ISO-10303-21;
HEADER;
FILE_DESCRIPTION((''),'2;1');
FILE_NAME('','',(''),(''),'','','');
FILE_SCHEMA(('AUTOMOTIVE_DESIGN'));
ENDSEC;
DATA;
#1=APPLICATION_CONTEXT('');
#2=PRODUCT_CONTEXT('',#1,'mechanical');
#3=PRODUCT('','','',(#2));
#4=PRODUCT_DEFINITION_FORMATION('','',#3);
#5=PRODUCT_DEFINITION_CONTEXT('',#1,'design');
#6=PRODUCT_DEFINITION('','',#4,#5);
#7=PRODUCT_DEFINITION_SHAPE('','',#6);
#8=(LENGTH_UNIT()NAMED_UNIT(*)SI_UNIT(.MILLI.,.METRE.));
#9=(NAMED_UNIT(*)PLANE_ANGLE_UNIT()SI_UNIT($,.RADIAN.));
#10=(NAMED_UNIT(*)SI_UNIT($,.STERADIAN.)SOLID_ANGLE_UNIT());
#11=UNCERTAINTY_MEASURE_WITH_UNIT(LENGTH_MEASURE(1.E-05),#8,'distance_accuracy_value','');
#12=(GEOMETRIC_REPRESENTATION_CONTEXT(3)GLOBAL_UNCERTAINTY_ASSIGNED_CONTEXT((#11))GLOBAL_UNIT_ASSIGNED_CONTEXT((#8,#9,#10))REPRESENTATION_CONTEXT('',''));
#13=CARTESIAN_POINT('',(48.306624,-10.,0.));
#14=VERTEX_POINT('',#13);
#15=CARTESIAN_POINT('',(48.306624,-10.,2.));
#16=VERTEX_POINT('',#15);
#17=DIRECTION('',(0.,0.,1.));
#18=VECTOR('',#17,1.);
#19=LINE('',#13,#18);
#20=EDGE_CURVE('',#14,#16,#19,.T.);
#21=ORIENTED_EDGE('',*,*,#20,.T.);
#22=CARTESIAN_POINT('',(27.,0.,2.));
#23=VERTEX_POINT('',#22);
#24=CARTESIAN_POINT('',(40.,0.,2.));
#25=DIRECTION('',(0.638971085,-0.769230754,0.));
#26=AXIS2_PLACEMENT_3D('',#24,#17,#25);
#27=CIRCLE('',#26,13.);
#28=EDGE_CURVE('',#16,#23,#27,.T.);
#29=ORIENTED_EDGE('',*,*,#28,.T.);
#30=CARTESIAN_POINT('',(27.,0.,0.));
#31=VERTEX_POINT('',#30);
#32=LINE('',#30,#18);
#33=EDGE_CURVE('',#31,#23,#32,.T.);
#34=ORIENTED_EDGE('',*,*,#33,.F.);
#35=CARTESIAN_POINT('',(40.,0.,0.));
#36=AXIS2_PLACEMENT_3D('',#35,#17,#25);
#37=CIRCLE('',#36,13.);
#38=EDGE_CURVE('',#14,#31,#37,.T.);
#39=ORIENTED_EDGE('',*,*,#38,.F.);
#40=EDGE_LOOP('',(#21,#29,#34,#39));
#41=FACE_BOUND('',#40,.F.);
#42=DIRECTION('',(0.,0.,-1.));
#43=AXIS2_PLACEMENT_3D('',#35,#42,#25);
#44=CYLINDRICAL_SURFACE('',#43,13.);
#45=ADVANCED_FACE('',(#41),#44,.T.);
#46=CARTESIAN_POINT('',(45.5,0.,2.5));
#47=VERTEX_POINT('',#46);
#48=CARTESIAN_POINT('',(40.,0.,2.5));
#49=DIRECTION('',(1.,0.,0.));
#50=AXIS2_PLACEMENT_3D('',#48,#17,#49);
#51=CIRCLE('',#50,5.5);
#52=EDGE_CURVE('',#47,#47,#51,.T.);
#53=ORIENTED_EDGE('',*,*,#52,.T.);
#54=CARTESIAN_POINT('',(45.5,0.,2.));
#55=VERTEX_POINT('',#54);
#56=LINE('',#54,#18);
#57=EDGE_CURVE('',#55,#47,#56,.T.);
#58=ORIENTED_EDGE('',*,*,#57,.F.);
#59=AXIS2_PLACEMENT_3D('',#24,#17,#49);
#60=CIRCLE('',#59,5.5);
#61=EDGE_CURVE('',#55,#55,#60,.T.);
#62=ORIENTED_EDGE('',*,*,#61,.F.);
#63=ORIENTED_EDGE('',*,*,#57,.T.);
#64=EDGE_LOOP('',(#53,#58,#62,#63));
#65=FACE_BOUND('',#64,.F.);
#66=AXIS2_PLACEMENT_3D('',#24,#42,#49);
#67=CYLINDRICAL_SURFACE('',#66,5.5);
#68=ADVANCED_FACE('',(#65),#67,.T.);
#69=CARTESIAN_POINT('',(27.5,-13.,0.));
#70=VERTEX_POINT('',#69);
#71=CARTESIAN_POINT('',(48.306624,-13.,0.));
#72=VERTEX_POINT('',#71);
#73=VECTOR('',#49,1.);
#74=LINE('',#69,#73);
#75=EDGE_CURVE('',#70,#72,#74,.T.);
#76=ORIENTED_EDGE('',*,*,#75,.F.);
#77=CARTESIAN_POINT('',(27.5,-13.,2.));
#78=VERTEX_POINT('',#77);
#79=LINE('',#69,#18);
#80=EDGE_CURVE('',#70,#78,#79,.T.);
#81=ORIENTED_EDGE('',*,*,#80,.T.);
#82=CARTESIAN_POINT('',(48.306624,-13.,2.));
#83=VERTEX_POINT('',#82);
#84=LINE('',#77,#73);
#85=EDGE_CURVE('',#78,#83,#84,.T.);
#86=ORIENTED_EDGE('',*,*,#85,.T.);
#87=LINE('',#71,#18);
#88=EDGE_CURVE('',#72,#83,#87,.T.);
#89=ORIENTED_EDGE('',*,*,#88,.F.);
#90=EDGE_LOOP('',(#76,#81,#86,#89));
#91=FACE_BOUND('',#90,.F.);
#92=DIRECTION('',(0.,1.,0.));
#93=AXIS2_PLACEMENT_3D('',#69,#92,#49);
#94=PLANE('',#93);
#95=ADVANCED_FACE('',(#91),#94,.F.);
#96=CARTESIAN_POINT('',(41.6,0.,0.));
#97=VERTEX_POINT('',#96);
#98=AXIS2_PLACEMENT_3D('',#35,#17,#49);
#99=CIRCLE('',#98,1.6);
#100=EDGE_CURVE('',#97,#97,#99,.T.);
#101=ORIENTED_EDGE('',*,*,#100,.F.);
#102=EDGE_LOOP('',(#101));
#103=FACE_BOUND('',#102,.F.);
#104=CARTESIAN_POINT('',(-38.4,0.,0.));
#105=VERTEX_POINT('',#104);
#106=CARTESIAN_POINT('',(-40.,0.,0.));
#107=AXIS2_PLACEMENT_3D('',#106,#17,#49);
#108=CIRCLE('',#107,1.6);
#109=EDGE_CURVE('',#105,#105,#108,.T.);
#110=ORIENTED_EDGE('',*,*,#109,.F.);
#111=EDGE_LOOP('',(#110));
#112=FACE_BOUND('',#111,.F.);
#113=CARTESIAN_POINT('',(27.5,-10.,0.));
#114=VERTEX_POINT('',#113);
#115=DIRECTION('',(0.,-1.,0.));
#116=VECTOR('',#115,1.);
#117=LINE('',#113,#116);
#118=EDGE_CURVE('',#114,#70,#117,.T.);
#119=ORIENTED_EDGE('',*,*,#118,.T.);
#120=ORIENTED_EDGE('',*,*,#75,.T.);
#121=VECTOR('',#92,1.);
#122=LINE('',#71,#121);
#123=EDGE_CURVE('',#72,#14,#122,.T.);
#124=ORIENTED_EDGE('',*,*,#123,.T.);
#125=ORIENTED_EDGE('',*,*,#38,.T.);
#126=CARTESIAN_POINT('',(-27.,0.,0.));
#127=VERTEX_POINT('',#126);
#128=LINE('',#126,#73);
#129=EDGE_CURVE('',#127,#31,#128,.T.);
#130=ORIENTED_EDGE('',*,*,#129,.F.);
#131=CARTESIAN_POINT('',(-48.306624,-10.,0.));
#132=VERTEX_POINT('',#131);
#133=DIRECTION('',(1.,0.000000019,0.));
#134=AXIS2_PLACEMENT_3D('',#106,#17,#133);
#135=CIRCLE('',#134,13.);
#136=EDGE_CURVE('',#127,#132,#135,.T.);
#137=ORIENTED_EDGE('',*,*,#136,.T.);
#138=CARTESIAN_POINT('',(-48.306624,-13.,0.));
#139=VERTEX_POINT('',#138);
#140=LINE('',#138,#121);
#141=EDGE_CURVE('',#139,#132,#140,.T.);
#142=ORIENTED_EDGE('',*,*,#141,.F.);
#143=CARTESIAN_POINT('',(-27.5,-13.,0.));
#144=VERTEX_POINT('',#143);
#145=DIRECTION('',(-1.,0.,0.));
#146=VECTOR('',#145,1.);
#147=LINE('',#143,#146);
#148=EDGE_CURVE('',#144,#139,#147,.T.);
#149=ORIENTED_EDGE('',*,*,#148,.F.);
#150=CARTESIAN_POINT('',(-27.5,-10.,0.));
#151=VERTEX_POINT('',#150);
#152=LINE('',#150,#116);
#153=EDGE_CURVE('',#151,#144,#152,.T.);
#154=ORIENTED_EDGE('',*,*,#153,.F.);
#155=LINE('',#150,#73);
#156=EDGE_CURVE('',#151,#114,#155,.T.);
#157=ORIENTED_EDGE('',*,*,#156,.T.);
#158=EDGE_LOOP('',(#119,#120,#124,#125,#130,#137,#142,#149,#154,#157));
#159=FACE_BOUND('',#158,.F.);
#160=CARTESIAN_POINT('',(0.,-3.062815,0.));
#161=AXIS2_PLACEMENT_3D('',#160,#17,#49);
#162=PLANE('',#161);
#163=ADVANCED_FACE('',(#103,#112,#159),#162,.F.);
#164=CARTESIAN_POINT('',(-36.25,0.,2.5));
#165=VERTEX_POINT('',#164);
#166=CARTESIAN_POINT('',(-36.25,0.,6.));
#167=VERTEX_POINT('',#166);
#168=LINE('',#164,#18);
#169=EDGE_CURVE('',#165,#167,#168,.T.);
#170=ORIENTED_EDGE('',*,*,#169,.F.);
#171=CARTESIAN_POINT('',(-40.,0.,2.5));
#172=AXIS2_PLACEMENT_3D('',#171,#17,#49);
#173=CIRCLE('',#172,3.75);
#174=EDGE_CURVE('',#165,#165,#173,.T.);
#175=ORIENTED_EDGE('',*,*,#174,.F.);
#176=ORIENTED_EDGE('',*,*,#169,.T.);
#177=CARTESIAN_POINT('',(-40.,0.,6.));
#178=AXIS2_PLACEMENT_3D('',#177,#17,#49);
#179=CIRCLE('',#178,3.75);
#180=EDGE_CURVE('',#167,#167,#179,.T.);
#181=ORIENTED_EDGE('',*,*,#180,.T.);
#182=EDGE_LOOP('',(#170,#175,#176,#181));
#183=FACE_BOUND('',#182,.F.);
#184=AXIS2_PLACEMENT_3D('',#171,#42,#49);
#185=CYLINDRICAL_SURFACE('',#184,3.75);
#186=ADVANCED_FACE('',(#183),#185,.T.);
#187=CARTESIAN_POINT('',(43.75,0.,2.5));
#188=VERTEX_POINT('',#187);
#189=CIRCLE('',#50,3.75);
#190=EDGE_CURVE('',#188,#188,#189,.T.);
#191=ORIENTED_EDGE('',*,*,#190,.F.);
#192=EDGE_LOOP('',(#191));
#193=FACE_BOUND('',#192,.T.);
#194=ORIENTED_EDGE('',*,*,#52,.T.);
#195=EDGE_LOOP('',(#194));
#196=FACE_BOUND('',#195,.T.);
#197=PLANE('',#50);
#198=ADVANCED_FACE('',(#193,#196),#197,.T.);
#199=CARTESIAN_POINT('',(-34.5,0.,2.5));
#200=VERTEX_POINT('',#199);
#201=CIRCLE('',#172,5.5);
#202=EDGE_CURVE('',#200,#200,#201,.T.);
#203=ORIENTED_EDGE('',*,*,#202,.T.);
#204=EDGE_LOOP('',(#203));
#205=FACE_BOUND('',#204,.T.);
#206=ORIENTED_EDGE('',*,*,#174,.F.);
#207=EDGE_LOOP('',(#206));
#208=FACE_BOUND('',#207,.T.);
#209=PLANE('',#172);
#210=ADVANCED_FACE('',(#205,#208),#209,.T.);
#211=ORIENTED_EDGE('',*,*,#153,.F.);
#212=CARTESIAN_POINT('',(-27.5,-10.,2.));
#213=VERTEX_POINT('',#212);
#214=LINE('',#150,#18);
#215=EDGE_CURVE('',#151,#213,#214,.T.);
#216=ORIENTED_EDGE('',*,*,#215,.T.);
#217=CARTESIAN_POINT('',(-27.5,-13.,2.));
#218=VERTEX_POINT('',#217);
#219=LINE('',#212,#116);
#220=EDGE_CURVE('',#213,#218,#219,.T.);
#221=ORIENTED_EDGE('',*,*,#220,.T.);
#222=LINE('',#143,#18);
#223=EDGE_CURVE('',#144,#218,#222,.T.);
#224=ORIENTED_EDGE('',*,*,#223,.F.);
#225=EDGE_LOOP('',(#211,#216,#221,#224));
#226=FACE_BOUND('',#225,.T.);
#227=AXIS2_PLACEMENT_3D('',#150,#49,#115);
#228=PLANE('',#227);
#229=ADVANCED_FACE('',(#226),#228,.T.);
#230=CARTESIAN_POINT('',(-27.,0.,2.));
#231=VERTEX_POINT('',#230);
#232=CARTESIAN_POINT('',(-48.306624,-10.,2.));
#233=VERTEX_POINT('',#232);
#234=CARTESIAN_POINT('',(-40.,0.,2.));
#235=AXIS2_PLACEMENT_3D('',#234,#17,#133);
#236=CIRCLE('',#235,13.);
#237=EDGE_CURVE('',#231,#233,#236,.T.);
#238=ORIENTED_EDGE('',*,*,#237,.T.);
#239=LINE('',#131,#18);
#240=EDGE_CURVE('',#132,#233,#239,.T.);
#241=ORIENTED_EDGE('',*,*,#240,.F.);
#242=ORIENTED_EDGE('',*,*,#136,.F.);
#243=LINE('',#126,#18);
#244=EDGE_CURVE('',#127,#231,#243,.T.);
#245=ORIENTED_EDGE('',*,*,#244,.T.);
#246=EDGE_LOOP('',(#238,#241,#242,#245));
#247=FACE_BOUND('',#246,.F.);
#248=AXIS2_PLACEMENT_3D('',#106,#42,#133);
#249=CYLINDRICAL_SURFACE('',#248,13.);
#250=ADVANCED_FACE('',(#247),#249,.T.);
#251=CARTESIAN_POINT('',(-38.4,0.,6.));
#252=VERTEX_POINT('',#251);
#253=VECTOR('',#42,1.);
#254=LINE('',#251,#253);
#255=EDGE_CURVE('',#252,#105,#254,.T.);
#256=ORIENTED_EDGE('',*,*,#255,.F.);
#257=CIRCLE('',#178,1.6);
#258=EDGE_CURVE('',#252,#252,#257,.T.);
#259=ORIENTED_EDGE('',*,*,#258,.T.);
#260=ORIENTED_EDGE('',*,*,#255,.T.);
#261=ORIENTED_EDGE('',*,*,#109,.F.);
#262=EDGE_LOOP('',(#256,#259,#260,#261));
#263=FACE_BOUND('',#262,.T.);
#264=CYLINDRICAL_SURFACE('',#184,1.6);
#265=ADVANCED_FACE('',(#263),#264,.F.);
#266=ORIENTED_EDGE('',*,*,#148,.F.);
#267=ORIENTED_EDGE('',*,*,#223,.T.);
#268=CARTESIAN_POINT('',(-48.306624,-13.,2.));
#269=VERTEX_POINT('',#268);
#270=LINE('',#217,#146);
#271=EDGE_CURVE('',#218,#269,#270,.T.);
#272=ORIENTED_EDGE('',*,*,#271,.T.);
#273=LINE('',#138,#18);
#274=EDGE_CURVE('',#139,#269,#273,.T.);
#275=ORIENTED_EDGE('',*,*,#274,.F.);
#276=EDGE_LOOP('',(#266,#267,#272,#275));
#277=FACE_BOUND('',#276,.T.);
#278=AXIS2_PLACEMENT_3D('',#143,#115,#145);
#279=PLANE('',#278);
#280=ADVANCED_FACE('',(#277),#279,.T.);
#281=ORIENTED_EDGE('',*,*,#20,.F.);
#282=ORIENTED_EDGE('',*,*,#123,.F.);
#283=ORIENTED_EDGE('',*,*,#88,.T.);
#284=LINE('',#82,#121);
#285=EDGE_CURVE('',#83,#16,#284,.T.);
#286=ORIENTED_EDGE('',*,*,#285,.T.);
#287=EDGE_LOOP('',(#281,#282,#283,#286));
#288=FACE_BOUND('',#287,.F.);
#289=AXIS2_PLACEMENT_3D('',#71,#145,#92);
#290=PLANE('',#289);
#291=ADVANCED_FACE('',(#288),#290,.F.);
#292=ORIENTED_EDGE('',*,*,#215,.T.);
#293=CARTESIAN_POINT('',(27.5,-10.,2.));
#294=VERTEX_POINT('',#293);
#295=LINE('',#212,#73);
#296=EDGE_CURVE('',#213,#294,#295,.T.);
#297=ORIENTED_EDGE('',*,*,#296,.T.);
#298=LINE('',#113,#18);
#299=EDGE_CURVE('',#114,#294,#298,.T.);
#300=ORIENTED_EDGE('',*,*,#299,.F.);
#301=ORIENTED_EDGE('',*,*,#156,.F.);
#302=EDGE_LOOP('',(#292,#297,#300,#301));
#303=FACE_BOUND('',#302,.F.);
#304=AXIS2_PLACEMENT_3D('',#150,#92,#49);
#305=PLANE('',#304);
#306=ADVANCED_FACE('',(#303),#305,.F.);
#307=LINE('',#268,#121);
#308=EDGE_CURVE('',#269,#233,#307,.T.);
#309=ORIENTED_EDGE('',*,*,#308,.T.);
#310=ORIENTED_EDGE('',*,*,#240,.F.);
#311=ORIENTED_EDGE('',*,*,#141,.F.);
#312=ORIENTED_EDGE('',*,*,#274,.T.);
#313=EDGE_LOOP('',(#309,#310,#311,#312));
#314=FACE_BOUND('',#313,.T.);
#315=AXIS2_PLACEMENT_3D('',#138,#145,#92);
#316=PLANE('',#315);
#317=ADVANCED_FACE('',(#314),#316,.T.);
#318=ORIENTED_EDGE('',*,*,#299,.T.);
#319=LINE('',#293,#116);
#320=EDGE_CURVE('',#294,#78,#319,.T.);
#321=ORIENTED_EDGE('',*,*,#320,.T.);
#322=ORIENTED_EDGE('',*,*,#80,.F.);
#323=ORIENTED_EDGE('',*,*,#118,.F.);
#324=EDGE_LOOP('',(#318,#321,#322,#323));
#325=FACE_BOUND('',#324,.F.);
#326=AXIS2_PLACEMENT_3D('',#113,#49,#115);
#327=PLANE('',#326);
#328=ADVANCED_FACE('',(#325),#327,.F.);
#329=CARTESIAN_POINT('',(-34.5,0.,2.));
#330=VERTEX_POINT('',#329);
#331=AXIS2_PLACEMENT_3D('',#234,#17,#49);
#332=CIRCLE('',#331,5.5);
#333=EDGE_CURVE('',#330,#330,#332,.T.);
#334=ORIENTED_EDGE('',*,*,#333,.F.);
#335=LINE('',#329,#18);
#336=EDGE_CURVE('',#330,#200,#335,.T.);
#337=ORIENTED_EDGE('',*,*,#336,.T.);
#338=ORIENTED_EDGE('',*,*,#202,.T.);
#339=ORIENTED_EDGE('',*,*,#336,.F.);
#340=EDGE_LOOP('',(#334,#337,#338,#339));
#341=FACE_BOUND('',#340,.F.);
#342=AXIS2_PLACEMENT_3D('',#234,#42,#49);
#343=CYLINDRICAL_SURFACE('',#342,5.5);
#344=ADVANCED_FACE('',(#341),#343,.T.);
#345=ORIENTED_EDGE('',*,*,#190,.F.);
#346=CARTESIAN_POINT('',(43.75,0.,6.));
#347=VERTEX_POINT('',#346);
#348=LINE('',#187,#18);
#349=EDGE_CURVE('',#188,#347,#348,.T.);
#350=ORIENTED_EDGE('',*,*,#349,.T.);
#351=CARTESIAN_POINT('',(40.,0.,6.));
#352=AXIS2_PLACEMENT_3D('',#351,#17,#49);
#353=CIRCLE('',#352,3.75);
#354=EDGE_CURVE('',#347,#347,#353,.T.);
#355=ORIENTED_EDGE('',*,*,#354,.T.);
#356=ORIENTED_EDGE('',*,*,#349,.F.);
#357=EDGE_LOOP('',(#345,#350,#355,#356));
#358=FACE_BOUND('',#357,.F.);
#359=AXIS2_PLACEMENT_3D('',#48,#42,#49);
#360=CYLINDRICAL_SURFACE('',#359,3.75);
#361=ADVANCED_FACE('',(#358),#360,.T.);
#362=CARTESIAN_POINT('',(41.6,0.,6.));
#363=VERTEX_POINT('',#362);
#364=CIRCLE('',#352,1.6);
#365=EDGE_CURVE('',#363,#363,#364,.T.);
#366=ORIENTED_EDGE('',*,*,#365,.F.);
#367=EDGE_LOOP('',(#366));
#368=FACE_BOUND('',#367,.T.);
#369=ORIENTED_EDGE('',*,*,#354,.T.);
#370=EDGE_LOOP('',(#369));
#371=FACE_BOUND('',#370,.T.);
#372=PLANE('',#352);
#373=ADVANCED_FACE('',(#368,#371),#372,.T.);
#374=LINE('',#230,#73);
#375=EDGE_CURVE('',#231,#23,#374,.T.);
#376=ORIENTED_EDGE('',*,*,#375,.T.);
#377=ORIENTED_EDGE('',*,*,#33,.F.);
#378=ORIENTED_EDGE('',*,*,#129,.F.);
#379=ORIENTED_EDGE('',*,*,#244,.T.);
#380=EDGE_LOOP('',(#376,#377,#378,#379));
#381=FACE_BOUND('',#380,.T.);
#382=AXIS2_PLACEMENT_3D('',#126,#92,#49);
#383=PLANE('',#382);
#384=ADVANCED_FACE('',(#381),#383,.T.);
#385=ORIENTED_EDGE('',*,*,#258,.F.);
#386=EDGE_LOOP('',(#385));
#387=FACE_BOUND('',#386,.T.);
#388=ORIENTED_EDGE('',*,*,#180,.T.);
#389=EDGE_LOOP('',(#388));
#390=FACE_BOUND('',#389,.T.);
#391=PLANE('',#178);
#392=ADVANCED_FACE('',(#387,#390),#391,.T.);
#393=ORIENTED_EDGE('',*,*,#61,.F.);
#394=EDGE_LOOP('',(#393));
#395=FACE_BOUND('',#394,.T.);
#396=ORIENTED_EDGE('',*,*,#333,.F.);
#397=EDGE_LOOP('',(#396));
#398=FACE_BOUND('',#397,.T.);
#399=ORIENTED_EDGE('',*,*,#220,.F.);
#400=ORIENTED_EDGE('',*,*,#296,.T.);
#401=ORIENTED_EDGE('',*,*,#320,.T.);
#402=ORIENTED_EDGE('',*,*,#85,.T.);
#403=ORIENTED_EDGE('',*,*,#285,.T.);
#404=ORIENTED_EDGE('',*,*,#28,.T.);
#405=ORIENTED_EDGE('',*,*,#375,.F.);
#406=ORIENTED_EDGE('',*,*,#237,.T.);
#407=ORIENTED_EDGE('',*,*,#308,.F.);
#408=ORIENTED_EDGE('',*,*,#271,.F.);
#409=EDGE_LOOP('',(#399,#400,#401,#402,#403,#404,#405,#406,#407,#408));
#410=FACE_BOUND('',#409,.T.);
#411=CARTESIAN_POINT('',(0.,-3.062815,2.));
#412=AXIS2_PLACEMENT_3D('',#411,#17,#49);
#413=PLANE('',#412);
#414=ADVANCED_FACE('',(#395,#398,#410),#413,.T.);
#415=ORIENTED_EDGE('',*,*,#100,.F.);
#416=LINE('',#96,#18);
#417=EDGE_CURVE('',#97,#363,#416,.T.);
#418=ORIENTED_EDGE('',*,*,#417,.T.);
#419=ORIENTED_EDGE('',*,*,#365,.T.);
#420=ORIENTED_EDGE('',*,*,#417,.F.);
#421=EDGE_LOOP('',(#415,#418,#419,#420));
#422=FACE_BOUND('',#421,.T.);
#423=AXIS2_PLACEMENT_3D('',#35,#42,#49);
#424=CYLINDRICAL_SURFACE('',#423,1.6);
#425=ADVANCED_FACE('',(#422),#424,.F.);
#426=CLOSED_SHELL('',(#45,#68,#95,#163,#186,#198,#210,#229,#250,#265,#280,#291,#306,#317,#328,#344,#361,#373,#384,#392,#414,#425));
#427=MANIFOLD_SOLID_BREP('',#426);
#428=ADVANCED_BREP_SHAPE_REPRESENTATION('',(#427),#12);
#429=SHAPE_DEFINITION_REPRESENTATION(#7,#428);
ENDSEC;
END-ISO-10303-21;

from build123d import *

# Parameters (mm, degrees)
SKETCH_R      = 1.6
PAD_DEPTH     = 2
SKETCH001_R   = 5.5
SKETCH001_R_2 = 1.6
PAD001_DEPTH  = 0.5
SKETCH002_R   = 3.75
SKETCH002_R_2 = 1.6
PAD002_DEPTH  = 3.5


with BuildPart() as part:
    # Sketch → Pad (new body)
    with BuildSketch(Plane.XY):
        with BuildLine():
            ThreePointArc((-27, 0), (-45.523309, 11.768307), (-48.306624, -10))
            Line((-48.306624, -13), (-48.306624, -10))
            Line((-27.5, -13), (-48.306624, -13))
            Line((-27.5, -10), (-27.5, -13))
            Line((-27.5, -10), (27.5, -10))
            Line((27.5, -10), (27.5, -13))
            Line((27.5, -13), (48.306624, -13))
            Line((48.306624, -13), (48.306624, -10))
            ThreePointArc((48.306624, -10), (45.523309, 11.768307), (27, 0))
            Line((-27, 0), (27, 0))
        make_face()
        with Locations((-40, 0)):
            Circle(SKETCH_R, mode=Mode.SUBTRACT)
        with Locations((40, 0)):
            Circle(SKETCH_R, mode=Mode.SUBTRACT)
    extrude(amount=PAD_DEPTH)

    # Sketch001 → Pad001 (new body)
    with BuildSketch(Plane.XY.offset(2)):
        with Locations((-40, 0)):
            Circle(SKETCH001_R)
        with Locations((-40, 0)):
            Circle(SKETCH001_R_2, mode=Mode.SUBTRACT)
        with Locations((40, 0)):
            Circle(SKETCH001_R)
        with Locations((40, 0)):
            Circle(SKETCH001_R_2, mode=Mode.SUBTRACT)
    extrude(amount=PAD001_DEPTH)

    # Sketch002 → Pad002 (new body)
    with BuildSketch(Plane.XY.offset(2.5)):
        with Locations((-40, 0)):
            Circle(SKETCH002_R)
        with Locations((-40, 0)):
            Circle(SKETCH002_R_2, mode=Mode.SUBTRACT)
        with Locations((40, 0)):
            Circle(SKETCH002_R)
        with Locations((40, 0)):
            Circle(SKETCH002_R_2, mode=Mode.SUBTRACT)
    extrude(amount=PAD002_DEPTH)


solid = part.part
